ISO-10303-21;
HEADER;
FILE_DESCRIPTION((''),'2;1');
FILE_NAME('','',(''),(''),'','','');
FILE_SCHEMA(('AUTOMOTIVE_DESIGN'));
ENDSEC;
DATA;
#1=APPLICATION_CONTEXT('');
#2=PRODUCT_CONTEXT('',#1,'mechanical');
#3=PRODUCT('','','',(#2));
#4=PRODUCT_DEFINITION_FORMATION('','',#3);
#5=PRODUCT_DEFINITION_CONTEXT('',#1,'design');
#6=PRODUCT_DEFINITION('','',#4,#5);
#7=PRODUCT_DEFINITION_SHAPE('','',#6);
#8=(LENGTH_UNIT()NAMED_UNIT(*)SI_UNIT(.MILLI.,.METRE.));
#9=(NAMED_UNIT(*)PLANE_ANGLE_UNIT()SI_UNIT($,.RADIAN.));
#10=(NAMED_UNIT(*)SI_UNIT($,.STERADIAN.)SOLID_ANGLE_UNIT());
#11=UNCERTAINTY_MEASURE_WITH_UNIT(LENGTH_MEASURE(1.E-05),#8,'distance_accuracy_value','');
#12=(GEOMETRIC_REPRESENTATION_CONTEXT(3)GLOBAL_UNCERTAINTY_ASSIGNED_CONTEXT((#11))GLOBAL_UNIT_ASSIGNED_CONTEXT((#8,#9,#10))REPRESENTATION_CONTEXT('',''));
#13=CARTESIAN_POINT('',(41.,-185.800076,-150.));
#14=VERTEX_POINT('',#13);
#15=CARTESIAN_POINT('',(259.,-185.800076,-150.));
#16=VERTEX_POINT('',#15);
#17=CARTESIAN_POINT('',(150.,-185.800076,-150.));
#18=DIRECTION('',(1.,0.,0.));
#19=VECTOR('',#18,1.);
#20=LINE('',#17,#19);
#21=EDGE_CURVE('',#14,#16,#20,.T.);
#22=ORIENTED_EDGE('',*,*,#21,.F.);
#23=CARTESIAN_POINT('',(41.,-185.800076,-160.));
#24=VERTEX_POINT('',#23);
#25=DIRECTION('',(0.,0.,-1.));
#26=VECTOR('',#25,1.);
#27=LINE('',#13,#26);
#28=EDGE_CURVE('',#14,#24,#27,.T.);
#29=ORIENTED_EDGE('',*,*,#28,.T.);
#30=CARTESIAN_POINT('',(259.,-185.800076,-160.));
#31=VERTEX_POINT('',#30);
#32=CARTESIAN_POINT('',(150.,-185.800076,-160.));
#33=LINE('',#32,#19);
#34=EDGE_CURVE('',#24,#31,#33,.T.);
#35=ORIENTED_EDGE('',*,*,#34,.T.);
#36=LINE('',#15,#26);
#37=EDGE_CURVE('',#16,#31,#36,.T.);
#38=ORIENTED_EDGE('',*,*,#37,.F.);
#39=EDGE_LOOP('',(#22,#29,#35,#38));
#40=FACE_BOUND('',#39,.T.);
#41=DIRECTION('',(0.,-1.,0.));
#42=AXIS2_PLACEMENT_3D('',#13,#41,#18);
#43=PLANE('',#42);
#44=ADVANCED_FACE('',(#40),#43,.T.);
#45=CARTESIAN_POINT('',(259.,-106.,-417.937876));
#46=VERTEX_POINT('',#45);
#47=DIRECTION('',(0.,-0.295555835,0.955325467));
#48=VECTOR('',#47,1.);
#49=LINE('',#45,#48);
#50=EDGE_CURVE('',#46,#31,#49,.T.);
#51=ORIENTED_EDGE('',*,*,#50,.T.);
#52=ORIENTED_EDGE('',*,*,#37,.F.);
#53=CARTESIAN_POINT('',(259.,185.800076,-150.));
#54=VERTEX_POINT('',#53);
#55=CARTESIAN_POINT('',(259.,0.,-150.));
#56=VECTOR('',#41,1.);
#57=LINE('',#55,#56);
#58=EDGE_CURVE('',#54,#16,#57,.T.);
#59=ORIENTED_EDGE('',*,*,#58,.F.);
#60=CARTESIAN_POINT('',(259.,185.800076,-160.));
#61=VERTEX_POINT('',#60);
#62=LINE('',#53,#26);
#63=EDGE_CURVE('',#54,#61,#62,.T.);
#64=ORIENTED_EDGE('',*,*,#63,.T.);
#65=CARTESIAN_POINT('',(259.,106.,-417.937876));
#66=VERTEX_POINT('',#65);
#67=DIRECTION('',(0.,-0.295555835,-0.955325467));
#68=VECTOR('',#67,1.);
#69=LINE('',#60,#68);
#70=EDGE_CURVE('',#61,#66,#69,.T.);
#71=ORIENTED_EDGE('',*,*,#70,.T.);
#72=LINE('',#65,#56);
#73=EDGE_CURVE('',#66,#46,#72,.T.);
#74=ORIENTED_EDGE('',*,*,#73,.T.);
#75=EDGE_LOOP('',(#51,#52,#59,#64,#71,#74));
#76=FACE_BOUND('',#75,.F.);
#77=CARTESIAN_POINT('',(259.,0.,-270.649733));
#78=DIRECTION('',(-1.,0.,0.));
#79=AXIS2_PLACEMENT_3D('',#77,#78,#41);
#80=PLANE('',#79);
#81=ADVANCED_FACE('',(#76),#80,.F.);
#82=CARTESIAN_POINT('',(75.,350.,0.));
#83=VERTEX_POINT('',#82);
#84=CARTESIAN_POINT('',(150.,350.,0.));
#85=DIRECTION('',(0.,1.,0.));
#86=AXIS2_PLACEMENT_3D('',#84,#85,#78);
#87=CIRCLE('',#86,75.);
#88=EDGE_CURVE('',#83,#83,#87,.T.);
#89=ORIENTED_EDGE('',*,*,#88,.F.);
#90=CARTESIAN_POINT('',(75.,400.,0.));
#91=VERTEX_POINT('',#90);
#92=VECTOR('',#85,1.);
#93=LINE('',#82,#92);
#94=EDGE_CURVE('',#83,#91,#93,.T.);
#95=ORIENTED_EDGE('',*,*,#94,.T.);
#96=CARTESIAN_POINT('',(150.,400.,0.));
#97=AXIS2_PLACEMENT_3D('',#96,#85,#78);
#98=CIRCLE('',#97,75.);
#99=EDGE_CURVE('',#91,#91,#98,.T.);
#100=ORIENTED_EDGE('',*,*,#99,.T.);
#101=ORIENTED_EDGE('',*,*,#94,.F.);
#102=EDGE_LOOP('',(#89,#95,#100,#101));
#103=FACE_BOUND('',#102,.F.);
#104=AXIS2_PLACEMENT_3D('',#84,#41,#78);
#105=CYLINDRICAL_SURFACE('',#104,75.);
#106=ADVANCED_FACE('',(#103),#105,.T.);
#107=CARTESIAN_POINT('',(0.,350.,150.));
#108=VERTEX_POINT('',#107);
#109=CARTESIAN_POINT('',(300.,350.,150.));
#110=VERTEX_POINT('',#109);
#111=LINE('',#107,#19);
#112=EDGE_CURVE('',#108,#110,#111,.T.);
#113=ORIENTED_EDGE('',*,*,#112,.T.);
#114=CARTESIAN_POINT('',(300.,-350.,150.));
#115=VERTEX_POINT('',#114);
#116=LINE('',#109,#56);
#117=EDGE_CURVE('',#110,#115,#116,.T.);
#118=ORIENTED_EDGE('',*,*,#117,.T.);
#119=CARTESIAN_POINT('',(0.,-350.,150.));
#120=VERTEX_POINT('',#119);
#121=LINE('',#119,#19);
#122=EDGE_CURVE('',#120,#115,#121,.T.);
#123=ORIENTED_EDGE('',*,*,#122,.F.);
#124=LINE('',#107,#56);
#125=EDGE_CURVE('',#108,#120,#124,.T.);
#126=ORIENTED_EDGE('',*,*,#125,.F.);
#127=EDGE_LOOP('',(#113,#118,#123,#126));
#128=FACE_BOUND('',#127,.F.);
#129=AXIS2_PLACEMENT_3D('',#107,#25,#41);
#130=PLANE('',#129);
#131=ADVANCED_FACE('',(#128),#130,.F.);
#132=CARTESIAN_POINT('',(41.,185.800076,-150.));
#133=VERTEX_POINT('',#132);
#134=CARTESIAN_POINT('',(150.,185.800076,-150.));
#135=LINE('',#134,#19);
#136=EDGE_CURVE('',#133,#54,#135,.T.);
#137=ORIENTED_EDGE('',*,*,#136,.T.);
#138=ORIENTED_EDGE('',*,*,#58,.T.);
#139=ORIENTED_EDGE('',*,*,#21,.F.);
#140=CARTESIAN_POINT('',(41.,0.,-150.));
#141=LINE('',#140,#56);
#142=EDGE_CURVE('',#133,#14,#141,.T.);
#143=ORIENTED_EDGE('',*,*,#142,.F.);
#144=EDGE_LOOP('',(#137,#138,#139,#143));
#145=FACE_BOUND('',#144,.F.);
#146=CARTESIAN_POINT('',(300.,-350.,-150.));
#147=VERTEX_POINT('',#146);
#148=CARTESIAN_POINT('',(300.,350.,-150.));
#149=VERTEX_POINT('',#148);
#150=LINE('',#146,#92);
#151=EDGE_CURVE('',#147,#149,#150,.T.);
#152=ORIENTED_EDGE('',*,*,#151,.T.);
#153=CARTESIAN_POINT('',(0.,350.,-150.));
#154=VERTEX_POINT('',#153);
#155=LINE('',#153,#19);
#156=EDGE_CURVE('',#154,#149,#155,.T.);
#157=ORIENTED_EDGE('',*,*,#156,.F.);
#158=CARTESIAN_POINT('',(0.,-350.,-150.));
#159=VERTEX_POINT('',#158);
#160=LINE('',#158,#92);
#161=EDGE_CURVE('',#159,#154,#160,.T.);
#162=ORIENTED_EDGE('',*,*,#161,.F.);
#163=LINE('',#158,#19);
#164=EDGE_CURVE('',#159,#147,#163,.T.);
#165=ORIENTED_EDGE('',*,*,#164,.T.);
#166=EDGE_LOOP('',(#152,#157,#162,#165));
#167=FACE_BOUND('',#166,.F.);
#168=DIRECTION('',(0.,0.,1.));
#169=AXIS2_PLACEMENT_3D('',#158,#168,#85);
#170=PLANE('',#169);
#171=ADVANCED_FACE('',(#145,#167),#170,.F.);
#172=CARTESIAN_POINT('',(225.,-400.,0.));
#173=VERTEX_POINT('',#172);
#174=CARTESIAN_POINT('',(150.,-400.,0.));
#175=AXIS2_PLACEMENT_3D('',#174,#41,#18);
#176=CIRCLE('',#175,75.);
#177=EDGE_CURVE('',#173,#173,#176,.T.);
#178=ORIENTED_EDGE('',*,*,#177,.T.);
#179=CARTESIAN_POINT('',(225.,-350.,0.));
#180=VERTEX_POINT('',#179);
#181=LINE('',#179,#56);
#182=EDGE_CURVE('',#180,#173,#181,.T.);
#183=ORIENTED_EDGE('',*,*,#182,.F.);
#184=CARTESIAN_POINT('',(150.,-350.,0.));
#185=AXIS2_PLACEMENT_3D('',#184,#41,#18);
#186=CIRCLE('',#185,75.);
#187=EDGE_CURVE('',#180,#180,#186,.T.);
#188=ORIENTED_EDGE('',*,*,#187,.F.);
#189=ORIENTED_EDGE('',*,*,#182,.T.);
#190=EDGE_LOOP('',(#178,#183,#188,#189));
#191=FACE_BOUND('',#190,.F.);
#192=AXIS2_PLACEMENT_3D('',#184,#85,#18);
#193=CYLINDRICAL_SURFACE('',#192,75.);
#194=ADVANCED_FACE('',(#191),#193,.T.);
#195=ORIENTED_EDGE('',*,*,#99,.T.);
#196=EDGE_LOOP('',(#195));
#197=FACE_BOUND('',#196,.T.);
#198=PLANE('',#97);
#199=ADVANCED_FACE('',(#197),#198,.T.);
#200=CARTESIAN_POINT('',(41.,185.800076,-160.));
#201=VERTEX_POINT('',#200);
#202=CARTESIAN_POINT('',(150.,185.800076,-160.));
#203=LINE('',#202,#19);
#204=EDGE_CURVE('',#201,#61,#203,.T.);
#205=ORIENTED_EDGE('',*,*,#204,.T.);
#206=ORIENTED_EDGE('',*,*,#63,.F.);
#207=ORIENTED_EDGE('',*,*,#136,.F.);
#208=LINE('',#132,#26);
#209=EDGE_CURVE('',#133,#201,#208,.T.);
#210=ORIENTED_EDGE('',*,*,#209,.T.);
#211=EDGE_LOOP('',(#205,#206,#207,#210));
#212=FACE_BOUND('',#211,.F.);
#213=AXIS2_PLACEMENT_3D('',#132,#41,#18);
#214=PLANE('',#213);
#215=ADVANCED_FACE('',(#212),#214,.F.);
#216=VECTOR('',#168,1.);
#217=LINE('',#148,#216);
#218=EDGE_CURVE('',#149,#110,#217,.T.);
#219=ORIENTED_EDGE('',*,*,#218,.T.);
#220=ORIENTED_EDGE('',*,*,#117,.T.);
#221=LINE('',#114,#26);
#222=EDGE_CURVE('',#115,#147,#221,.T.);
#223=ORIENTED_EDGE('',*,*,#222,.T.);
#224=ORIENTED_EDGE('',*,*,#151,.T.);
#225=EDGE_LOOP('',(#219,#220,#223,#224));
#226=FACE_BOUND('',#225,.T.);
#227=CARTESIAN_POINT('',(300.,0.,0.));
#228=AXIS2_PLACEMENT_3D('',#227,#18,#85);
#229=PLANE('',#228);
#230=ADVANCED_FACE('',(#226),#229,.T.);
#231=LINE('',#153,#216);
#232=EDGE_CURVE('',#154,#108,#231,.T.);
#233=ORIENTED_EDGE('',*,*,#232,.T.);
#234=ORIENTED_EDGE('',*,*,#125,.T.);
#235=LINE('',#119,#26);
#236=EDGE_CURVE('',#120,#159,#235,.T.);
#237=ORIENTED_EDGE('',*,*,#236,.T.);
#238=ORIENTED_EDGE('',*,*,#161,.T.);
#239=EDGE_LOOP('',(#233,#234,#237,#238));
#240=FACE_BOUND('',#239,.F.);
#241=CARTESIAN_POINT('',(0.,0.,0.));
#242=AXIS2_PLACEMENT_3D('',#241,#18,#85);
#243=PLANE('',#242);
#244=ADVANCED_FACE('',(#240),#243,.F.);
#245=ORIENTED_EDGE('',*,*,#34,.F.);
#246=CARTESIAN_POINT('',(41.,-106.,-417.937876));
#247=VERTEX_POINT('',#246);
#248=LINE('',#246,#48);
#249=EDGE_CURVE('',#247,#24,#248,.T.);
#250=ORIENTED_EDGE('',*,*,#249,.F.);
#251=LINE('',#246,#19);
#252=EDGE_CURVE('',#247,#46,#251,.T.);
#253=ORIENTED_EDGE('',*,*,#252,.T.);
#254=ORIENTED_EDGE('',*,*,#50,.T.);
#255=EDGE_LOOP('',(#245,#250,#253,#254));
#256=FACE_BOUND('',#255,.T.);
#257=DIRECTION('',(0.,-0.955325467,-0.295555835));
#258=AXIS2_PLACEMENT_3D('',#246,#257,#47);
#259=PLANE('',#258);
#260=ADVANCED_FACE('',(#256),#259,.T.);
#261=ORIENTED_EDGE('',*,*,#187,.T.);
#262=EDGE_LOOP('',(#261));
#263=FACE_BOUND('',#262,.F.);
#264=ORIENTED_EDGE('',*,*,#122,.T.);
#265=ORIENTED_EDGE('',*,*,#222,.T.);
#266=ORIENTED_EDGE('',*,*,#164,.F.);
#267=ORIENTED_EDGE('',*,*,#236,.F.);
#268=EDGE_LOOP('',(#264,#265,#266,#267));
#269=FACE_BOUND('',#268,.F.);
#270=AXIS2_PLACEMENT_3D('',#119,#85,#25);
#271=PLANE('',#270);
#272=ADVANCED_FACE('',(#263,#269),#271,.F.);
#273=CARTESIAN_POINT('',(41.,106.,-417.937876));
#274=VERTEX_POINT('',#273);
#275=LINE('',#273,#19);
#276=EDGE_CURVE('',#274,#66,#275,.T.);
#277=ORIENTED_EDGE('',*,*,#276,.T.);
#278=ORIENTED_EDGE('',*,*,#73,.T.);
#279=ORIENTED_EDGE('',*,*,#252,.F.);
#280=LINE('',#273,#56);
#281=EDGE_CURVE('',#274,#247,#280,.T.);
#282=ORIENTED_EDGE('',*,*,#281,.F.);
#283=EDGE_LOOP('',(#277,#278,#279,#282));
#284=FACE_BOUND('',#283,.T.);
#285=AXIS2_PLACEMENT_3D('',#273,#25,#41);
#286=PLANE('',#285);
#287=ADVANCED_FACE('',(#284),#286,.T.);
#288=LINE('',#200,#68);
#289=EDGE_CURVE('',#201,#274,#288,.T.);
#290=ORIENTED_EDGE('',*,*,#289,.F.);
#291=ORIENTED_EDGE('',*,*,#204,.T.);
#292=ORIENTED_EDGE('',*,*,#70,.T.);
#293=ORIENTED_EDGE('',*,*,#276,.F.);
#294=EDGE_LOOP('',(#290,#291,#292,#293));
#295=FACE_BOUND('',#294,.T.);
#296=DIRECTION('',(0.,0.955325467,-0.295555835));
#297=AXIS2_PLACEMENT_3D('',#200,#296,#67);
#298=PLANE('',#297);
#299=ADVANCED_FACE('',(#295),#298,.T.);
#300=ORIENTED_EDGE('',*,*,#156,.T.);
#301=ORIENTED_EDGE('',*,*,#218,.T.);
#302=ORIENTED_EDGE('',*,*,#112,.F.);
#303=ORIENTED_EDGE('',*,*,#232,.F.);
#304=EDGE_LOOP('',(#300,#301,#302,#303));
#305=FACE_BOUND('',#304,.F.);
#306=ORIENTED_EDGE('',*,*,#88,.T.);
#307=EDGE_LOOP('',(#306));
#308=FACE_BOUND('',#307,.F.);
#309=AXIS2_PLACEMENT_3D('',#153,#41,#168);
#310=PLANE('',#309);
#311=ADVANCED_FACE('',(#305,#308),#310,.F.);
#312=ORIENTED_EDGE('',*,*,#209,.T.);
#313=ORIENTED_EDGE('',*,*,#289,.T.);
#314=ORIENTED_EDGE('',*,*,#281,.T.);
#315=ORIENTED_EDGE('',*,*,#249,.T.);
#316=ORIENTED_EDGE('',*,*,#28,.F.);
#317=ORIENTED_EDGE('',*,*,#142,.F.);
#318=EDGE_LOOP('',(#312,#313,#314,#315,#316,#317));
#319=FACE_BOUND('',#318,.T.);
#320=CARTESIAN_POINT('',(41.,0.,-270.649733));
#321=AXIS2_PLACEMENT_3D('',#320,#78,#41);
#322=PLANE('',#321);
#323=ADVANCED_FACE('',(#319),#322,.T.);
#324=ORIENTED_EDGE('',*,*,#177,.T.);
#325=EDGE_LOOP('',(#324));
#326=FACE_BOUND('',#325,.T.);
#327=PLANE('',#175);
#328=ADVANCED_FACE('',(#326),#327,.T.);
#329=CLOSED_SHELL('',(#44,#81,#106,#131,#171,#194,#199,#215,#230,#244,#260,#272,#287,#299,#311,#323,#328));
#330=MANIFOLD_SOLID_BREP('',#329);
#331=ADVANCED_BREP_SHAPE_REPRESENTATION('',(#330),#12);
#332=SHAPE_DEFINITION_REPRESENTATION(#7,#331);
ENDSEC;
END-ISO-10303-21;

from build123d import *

# Parameters (mm, degrees)
F1_DEPTH = 300
F2_R     = 75
F3_DEPTH = 50
F4_W     = 218
F4_H     = 371.600151062
F5_DEPTH = 10
F7_DEPTH = 218
F8_R     = 75
F9_DEPTH = 50


with BuildPart() as f1:
    # F0 (on Right) → F1 (new body)
    with BuildSketch(Plane.YZ):
        Polygon((350, 75), (350, 150), (-350, 150), (-350, -150), (350, -150), (350, 0), align=None)
    extrude(amount=F1_DEPTH)

    # F2 (on face) → F3 (join)
    with BuildSketch(Plane(origin=(0, 350, 0), x_dir=(-1, 0, 0), z_dir=(0, 1, 0))):
        with Locations((-150, 0)):
            Circle(F2_R)
    extrude(amount=F3_DEPTH)

    # F4 (on face) → F5 (join)
    with BuildSketch(Plane(origin=(0, 0, -150), x_dir=(1, 0, 0), z_dir=(0, 0, -1))):
        with Locations((150, 0)):
            Rectangle(F4_W, F4_H)
    extrude(amount=F5_DEPTH)

    # F6 (on face) → F7 (join)
    with BuildSketch(Plane(origin=(41, 0, 0), x_dir=(0, -1, 0), z_dir=(-1, 0, 0))):
        Polygon((185.800075531, -160), (-185.800075531, -160), (-106, -417.9378761354), (106, -417.9378761354), align=None)
    extrude(amount=-F7_DEPTH)

    # F8 (on face) → F9 (join)
    with BuildSketch(Plane.XZ.offset(350)):
        with Locations((150, 0)):
            Circle(F8_R)
    extrude(amount=F9_DEPTH)


solid = f1.part
